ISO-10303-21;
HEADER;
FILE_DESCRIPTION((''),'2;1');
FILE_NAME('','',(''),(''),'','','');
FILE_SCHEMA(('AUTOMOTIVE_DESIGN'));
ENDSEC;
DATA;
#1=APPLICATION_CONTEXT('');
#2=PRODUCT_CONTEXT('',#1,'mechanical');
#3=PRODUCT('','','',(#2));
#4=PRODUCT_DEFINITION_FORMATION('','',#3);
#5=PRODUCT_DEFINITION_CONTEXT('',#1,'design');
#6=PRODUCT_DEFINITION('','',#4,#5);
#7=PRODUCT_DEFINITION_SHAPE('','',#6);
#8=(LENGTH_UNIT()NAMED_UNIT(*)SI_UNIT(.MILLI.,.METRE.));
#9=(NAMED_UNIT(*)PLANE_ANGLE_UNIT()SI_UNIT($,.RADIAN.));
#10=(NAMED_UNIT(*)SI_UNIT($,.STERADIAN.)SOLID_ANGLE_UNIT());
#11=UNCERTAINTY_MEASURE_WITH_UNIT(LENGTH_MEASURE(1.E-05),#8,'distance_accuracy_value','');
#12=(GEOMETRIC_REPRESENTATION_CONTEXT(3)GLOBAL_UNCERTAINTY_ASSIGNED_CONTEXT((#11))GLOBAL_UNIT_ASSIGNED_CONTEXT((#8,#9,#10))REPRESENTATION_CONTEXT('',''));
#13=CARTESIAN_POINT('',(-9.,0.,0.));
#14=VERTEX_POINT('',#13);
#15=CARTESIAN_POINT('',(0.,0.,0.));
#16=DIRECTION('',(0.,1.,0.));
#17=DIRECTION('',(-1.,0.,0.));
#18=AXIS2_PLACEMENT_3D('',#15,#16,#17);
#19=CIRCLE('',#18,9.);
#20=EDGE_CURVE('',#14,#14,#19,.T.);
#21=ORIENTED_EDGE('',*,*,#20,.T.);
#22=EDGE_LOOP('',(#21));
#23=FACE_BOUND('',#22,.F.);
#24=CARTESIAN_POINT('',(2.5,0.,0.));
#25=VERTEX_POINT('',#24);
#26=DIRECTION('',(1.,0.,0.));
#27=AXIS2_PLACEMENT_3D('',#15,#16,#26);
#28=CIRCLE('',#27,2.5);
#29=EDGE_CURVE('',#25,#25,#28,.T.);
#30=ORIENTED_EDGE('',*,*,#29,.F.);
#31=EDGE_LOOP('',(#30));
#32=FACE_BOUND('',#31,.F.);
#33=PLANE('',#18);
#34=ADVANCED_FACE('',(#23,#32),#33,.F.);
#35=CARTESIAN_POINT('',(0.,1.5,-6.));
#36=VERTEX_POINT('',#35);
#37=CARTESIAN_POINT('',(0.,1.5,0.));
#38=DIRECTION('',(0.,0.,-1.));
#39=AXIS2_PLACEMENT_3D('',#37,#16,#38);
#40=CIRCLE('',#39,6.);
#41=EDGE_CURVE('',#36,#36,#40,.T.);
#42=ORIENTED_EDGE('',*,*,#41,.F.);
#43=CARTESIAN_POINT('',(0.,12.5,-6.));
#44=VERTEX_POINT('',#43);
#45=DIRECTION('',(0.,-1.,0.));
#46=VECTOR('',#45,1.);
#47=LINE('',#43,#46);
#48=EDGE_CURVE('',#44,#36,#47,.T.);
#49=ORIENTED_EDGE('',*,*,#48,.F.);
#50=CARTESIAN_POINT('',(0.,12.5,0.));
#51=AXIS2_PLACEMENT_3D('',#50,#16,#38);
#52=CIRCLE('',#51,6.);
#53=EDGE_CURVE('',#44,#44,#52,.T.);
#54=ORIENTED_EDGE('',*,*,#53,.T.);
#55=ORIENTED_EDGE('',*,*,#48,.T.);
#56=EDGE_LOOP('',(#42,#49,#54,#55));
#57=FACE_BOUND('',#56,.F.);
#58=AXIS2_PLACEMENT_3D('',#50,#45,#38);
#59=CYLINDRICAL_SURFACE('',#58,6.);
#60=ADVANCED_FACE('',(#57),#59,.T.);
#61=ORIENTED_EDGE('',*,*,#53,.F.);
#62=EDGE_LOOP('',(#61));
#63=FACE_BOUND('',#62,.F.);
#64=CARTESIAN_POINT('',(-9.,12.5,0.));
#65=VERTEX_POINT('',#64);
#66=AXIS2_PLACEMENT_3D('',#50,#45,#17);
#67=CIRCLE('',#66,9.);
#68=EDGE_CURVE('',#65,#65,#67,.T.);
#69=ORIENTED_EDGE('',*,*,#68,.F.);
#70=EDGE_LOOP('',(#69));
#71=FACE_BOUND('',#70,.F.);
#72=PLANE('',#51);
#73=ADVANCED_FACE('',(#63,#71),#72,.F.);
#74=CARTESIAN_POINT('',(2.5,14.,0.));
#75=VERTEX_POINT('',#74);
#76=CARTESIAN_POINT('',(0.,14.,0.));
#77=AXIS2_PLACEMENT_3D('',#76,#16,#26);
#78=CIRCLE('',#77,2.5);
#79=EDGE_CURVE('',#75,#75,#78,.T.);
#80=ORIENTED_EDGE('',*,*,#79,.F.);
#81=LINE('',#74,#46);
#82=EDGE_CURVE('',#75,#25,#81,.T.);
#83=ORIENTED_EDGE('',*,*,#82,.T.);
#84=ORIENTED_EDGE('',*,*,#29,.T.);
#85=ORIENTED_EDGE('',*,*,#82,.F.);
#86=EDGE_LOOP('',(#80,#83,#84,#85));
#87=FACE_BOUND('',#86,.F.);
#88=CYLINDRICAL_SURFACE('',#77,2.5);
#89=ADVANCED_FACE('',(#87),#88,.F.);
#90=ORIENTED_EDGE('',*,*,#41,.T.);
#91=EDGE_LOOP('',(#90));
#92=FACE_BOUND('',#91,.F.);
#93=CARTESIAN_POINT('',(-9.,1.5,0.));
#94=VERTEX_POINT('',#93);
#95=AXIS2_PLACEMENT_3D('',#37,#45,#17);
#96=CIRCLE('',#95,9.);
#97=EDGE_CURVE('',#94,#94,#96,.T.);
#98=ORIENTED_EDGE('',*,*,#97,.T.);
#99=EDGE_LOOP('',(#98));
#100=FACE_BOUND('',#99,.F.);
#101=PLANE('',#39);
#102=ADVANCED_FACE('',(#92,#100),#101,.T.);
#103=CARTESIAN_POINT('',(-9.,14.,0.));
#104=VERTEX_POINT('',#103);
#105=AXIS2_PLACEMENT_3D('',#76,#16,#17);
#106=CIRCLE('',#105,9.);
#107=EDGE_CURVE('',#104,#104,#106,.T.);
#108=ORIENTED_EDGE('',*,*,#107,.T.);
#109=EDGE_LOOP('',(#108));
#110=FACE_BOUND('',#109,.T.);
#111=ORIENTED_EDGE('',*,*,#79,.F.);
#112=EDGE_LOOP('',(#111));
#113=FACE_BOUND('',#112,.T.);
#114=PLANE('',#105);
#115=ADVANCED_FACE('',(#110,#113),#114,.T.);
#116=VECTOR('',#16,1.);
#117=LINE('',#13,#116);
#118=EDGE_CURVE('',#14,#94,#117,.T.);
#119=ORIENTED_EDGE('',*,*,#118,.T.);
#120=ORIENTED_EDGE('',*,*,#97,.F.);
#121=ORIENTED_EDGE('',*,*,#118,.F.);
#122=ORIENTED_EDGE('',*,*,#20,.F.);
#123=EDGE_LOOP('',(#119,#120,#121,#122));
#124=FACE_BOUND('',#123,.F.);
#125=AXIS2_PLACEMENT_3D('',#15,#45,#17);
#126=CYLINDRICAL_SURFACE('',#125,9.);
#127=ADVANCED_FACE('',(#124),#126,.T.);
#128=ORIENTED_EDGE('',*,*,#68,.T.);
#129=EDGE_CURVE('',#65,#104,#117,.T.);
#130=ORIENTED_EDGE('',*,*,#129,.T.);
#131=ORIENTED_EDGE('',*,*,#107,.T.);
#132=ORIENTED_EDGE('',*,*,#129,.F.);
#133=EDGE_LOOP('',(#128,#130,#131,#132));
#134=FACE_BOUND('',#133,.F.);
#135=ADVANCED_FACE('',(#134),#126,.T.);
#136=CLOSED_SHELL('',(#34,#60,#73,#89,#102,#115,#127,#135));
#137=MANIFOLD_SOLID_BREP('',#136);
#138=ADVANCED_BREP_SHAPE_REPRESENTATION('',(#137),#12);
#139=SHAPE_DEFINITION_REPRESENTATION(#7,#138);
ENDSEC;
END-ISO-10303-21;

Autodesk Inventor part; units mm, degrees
ref_plane "YZ Plane" through (0, 0, 0) normal (1, 0, 0) x (0, 1, 0)
ref_plane "XZ Plane" through (0, 0, 0) normal (0, 1, 0) x (-1, 0, 0)
ref_plane "XY Plane" through (0, 0, 0) normal (0, 0, 1) x (1, 0, 0)
sketch "Sketch1" plane through (0, 0, 0) normal (0, 1, 0) x (-1, 0, 0)
  circle A0 centre (0, 0) radius 9
  dimension "d0" = 18
extrude "Extrusion1" add sketch "Sketch1" along normal blind 14
sketch "Sketch2" plane through (0, 14, 0) normal (0, 1, 0) x (1, 0, 0)
  circle A0 centre (0, 0) radius 2.5
  dimension "d3" = 5
extrude "Extrusion2" cut sketch "Sketch2" against normal through all
sketch "Sketch3" plane through (0, 0, 0) normal (1, 0, 0) x (0, 1, 0)
  line L0 (0, 0) -> (14, 0)
  line L1 (14, -9) -> (14, 9) projected
  line L2 (7, 0) -> (7, -9)
  line L3 (0, -9) -> (14, -9) projected
  line L4 (1.5, -12) -> (12.5, -12)
  line L5 (12.5, -12) -> (12.5, -6)
  line L6 (12.5, -6) -> (1.5, -6)
  line L7 (1.5, -6) -> (1.5, -12)
  line L8 (1.5, -12) -> (12.5, -6) construction
  line L9 (12.5, -12) -> (1.5, -6) construction
  dimension "d6" = 14
  dimension "d7" = 11
  dimension "d8" = 6
revolve "Revolution1" cut sketch "Sketch3" angle 360 about axis through (0, 0, 0) along (0, 1, 0) contours L6 L5 L3 L2 | L2 L3 L7 L6 | L3 L5 L4 L7
properties part number "5mm_bore_10mm_width_idlepulley"
